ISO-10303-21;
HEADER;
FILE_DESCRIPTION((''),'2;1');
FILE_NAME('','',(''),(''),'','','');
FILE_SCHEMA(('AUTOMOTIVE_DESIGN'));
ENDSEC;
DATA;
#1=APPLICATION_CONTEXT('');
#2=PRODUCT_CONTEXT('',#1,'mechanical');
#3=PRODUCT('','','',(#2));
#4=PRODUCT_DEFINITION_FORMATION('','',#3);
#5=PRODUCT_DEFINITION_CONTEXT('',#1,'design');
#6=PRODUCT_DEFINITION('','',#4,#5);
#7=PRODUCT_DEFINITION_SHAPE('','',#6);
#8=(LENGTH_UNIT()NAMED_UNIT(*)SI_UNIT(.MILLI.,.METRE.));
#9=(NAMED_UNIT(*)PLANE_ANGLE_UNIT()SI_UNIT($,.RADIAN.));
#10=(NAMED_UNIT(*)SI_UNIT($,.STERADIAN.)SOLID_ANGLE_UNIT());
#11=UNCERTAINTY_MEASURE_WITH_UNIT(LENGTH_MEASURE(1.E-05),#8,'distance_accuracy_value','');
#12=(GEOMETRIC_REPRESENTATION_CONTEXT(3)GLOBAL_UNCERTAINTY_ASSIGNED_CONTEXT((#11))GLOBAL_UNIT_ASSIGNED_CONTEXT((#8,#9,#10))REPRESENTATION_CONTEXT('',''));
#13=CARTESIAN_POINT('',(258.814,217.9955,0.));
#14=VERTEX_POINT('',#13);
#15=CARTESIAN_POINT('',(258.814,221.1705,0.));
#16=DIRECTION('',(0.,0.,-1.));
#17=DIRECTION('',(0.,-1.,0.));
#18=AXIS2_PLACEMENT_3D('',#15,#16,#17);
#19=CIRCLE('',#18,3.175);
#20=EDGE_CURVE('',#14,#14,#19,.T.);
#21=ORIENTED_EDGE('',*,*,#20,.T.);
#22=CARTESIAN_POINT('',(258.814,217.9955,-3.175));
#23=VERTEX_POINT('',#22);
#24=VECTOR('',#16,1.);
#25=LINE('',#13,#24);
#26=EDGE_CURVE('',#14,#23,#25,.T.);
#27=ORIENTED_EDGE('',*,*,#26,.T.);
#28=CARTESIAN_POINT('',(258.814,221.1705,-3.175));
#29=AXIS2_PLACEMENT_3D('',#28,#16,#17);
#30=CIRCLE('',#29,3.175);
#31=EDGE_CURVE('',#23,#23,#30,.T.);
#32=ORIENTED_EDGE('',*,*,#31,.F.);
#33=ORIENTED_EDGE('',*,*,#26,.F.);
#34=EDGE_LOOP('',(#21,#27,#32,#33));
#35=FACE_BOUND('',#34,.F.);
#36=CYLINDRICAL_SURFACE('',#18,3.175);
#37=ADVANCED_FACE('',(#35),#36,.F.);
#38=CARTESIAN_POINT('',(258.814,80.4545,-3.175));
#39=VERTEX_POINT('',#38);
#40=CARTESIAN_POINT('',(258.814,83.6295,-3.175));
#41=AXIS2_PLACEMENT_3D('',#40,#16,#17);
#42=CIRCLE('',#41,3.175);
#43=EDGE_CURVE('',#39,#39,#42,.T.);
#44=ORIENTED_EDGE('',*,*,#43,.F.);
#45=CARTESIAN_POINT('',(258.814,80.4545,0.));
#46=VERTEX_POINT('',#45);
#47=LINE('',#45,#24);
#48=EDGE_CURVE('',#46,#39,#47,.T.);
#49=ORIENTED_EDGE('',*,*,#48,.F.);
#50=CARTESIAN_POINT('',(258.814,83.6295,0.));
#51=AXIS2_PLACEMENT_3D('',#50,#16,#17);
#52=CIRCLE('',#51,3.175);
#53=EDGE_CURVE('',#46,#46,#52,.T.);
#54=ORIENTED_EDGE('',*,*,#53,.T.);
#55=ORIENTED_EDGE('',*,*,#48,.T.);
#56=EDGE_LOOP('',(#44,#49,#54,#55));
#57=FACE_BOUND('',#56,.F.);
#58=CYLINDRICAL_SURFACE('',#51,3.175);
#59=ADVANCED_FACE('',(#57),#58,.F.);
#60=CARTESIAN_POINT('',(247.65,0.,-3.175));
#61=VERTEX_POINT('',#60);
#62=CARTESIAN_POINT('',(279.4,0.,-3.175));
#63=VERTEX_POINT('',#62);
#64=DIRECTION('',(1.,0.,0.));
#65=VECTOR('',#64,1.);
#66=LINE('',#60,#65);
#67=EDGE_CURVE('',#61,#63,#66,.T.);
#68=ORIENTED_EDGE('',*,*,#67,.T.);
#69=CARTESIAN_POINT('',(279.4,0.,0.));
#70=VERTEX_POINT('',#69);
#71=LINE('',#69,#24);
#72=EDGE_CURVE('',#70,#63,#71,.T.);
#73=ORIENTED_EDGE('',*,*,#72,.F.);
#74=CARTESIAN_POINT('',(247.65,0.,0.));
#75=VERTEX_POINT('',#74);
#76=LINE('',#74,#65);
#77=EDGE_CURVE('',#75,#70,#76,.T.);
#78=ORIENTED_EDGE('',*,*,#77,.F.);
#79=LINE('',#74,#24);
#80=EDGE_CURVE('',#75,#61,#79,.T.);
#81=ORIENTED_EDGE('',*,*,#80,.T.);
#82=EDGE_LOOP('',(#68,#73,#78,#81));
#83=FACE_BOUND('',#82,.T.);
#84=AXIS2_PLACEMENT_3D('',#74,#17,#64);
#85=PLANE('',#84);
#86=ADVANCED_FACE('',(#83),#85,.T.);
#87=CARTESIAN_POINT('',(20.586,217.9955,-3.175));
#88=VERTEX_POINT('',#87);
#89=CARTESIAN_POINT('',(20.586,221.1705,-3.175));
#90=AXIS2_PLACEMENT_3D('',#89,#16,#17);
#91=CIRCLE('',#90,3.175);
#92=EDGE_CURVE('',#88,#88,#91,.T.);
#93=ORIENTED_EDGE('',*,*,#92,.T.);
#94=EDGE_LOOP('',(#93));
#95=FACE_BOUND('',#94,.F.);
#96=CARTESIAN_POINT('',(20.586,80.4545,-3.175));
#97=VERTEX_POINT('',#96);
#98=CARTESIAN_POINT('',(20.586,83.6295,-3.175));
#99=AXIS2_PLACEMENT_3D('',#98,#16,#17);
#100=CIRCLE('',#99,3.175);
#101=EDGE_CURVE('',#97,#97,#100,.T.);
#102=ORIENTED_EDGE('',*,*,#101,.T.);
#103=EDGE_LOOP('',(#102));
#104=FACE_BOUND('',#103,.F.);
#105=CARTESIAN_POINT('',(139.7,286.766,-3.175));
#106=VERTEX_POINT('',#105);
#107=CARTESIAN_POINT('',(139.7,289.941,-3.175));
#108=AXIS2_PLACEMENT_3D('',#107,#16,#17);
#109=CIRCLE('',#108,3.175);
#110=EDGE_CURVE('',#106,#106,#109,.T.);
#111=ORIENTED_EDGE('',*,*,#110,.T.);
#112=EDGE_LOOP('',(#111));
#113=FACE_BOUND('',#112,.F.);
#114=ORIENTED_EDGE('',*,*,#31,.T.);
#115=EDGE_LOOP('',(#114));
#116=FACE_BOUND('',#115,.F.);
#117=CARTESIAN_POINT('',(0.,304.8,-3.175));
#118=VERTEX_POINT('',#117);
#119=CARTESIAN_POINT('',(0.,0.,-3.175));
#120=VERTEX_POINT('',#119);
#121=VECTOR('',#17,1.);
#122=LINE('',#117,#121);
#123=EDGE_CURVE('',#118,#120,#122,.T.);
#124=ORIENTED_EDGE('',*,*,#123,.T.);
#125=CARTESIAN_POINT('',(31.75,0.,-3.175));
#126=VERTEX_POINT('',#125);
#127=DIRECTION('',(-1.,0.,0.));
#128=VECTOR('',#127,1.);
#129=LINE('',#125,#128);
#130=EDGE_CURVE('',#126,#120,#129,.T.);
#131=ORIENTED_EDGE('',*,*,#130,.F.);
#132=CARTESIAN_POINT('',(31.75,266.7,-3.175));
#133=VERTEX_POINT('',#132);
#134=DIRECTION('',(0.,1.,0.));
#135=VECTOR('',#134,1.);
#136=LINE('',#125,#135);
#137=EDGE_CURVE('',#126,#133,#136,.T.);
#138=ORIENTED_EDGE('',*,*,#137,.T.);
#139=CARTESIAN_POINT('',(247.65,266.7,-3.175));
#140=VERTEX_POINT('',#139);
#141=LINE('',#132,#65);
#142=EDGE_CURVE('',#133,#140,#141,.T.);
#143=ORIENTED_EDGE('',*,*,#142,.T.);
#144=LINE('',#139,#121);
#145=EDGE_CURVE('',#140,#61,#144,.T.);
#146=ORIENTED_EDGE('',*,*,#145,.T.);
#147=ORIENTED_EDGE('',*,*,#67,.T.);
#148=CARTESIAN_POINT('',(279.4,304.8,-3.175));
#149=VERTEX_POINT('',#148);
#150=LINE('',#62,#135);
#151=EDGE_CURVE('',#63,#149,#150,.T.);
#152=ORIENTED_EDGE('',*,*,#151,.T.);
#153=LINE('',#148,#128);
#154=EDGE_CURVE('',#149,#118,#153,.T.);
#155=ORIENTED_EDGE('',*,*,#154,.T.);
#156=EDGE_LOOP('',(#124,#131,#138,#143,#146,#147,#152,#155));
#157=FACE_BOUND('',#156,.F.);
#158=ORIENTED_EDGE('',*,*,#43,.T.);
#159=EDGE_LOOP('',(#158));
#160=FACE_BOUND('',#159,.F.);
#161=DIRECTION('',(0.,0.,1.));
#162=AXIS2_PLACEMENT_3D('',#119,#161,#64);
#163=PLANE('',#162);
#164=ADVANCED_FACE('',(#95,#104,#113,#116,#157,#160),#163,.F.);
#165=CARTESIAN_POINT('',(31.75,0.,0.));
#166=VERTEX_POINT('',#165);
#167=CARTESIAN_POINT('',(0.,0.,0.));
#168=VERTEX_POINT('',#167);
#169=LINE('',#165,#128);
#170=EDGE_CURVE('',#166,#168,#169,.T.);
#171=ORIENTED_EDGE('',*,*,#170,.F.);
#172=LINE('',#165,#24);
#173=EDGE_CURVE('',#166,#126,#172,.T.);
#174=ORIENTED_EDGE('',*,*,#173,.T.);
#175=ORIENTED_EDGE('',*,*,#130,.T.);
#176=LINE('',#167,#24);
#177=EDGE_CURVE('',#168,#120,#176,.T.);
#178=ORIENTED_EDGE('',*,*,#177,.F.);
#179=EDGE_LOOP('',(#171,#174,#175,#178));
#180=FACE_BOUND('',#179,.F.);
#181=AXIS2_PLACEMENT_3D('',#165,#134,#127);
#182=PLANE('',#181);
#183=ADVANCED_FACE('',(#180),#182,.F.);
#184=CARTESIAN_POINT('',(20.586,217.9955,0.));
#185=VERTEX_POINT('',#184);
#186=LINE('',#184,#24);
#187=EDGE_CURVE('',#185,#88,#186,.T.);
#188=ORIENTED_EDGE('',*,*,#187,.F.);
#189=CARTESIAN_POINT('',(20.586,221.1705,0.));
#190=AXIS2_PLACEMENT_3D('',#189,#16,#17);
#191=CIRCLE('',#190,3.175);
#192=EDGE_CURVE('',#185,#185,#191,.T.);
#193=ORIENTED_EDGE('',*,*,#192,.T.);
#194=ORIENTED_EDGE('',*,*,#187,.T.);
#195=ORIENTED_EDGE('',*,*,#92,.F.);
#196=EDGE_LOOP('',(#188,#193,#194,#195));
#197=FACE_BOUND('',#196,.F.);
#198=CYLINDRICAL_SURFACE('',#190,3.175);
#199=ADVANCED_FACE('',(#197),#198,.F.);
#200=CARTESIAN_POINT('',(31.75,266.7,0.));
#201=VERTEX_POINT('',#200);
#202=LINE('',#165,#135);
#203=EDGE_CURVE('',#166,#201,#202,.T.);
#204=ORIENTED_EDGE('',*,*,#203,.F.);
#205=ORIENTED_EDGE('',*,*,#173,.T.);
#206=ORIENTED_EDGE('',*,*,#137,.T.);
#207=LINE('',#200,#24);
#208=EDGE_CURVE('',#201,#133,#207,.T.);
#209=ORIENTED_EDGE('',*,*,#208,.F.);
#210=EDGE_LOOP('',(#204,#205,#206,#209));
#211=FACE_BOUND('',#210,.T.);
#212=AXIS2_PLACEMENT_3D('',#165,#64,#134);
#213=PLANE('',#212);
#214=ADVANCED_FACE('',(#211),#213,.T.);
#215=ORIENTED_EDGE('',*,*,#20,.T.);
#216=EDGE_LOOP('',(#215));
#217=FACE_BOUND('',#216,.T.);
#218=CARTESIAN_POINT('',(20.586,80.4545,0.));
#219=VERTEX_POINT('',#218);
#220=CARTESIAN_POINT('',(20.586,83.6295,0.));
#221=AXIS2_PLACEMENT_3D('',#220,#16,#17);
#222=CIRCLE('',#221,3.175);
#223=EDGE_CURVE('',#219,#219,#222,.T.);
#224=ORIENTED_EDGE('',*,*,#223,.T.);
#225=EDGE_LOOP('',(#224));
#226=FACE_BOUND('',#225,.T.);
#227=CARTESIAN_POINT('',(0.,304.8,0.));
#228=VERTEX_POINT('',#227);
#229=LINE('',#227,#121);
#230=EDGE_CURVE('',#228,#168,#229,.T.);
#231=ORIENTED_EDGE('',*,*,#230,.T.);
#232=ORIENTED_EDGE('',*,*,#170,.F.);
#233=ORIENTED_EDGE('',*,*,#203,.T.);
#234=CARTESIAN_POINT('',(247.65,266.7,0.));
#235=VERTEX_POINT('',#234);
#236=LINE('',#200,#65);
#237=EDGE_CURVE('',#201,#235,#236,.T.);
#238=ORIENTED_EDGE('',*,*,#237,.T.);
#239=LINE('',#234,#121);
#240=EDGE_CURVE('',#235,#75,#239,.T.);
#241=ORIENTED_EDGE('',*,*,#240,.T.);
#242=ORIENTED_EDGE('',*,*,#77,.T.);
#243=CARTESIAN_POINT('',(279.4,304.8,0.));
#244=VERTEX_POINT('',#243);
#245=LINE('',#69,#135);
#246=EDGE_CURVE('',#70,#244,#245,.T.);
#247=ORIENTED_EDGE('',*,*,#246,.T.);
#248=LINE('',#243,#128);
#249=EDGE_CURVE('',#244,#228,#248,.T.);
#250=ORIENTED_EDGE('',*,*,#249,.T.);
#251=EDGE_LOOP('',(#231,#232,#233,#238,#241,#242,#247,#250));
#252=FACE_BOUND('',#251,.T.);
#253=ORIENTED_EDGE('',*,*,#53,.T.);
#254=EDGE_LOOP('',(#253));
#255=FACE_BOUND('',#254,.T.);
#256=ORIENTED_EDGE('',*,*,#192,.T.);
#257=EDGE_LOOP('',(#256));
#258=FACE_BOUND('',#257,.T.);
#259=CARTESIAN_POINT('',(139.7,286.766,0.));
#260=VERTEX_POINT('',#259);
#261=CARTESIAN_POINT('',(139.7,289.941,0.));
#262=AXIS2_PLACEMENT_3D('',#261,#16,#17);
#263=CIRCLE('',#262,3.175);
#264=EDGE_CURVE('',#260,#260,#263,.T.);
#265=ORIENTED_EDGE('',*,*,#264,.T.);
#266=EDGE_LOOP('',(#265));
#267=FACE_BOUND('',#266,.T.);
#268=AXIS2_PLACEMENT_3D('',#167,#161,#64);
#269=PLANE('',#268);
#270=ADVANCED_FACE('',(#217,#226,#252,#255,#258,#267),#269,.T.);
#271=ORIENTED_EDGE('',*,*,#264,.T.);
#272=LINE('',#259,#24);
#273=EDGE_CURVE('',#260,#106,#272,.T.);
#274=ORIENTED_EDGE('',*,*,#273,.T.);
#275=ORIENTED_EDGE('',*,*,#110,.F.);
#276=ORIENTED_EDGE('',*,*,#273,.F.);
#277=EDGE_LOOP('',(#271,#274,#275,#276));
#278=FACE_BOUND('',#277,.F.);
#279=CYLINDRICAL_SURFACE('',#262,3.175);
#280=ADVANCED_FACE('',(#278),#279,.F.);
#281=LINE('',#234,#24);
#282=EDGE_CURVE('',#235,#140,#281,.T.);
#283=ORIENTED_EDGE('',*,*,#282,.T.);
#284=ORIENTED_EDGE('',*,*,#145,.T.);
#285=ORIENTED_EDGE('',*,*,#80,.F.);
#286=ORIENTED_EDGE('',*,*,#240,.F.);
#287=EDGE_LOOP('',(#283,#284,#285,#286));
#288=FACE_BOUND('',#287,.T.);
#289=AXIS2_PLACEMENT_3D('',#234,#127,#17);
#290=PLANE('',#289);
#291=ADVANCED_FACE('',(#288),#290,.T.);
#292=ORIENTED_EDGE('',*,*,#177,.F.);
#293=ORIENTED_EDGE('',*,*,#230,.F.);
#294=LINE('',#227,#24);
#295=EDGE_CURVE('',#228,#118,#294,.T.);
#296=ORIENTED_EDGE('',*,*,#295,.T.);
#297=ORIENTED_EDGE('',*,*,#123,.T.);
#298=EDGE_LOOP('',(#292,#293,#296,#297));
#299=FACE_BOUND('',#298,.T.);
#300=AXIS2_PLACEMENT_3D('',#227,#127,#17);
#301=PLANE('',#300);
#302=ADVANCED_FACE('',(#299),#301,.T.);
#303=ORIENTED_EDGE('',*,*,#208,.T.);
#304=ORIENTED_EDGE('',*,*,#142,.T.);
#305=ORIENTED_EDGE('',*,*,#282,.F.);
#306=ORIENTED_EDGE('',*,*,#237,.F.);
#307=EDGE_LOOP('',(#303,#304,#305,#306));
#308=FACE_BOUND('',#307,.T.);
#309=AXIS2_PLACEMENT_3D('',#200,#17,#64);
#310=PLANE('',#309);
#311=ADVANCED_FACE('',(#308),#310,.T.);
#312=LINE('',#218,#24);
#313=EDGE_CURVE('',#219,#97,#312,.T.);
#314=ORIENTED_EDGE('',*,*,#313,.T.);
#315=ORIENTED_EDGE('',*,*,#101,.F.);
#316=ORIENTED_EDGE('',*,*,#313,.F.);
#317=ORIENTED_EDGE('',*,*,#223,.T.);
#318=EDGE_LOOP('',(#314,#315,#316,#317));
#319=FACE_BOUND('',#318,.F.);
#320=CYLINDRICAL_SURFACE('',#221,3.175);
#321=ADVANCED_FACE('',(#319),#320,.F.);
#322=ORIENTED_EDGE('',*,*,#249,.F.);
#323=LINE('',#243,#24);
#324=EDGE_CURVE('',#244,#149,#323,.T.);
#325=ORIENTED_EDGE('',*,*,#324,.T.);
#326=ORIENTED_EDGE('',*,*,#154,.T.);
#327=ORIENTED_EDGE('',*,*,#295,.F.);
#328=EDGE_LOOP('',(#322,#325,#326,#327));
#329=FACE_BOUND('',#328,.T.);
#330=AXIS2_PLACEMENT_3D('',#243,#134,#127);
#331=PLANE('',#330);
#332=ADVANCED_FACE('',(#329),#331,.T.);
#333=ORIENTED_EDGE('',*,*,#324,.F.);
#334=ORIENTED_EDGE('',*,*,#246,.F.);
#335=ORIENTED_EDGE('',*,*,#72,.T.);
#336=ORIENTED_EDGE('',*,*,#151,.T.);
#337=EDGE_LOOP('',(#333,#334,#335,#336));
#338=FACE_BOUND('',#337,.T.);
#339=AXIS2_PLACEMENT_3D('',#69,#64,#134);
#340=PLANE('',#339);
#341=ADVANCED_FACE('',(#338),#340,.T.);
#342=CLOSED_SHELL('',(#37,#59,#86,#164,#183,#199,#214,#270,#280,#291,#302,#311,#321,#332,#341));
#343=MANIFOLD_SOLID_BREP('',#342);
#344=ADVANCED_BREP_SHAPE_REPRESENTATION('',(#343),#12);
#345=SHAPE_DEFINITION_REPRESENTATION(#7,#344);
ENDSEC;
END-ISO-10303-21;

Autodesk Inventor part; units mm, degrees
ref_plane "YZ Plane" through (0, 0, 0) normal (1, 0, 0) x (0, 1, 0)
ref_plane "XZ Plane" through (0, 0, 0) normal (0, 1, 0) x (-1, 0, 0)
ref_plane "XY Plane" through (0, 0, 0) normal (0, 0, 1) x (1, 0, 0)
sketch "Sketch1" plane through (0, 0, 0) normal (0, 0, 1) x (1, 0, 0)
  line L0 (279.4, 0) -> (279.4, 304.8)
  line L1 (279.4, 304.8) -> (0, 304.8)
  line L2 (0, 304.8) -> (0, 0)
  line L3 (31.75, 0) -> (31.75, 266.7)
  line L4 (31.75, 266.7) -> (247.65, 266.7)
  line L5 (247.65, 266.7) -> (247.65, 0)
  line L6 (247.65, 0) -> (279.4, 0)
  line L7 (31.75, 0) -> (0, 0)
  point P0 (139.7, 152.4)
  point P1 (139.7, 289.941)
  point P2 (20.586, 221.1705)
  point P3 (20.586, 83.6295)
  point P4 (139.7, 14.859)
  point P5 (258.814, 83.6295)
  point P6 (258.814, 221.1705)
  dimension "d0" = 279.4
  dimension "d1" = 304.8
  dimension "d2" = 139.7
  dimension "d3" = 152.4
  dimension "d4" = 137.541
  dimension "d7" = 360
  dimension "d9" = 31.75
  dimension "d10" = 31.75
  dimension "d11" = 38.1
extrude "Extrusion1" add sketch "Sketch1" against normal blind 3.175
hole "Hole1" at (139.7, 152.4, 0) at (139.7, 289.941, 0) at (20.586, 221.1705, 0) at (20.586, 83.6295, 0) at (139.7, 14.859, 0) at (258.814, 83.6295, 0) at (258.814, 221.1705, 0) direction (0, 0, -1) diameter 6.35 depth 25.4 tip angle 118
properties part number "middle-top spacer plate"
